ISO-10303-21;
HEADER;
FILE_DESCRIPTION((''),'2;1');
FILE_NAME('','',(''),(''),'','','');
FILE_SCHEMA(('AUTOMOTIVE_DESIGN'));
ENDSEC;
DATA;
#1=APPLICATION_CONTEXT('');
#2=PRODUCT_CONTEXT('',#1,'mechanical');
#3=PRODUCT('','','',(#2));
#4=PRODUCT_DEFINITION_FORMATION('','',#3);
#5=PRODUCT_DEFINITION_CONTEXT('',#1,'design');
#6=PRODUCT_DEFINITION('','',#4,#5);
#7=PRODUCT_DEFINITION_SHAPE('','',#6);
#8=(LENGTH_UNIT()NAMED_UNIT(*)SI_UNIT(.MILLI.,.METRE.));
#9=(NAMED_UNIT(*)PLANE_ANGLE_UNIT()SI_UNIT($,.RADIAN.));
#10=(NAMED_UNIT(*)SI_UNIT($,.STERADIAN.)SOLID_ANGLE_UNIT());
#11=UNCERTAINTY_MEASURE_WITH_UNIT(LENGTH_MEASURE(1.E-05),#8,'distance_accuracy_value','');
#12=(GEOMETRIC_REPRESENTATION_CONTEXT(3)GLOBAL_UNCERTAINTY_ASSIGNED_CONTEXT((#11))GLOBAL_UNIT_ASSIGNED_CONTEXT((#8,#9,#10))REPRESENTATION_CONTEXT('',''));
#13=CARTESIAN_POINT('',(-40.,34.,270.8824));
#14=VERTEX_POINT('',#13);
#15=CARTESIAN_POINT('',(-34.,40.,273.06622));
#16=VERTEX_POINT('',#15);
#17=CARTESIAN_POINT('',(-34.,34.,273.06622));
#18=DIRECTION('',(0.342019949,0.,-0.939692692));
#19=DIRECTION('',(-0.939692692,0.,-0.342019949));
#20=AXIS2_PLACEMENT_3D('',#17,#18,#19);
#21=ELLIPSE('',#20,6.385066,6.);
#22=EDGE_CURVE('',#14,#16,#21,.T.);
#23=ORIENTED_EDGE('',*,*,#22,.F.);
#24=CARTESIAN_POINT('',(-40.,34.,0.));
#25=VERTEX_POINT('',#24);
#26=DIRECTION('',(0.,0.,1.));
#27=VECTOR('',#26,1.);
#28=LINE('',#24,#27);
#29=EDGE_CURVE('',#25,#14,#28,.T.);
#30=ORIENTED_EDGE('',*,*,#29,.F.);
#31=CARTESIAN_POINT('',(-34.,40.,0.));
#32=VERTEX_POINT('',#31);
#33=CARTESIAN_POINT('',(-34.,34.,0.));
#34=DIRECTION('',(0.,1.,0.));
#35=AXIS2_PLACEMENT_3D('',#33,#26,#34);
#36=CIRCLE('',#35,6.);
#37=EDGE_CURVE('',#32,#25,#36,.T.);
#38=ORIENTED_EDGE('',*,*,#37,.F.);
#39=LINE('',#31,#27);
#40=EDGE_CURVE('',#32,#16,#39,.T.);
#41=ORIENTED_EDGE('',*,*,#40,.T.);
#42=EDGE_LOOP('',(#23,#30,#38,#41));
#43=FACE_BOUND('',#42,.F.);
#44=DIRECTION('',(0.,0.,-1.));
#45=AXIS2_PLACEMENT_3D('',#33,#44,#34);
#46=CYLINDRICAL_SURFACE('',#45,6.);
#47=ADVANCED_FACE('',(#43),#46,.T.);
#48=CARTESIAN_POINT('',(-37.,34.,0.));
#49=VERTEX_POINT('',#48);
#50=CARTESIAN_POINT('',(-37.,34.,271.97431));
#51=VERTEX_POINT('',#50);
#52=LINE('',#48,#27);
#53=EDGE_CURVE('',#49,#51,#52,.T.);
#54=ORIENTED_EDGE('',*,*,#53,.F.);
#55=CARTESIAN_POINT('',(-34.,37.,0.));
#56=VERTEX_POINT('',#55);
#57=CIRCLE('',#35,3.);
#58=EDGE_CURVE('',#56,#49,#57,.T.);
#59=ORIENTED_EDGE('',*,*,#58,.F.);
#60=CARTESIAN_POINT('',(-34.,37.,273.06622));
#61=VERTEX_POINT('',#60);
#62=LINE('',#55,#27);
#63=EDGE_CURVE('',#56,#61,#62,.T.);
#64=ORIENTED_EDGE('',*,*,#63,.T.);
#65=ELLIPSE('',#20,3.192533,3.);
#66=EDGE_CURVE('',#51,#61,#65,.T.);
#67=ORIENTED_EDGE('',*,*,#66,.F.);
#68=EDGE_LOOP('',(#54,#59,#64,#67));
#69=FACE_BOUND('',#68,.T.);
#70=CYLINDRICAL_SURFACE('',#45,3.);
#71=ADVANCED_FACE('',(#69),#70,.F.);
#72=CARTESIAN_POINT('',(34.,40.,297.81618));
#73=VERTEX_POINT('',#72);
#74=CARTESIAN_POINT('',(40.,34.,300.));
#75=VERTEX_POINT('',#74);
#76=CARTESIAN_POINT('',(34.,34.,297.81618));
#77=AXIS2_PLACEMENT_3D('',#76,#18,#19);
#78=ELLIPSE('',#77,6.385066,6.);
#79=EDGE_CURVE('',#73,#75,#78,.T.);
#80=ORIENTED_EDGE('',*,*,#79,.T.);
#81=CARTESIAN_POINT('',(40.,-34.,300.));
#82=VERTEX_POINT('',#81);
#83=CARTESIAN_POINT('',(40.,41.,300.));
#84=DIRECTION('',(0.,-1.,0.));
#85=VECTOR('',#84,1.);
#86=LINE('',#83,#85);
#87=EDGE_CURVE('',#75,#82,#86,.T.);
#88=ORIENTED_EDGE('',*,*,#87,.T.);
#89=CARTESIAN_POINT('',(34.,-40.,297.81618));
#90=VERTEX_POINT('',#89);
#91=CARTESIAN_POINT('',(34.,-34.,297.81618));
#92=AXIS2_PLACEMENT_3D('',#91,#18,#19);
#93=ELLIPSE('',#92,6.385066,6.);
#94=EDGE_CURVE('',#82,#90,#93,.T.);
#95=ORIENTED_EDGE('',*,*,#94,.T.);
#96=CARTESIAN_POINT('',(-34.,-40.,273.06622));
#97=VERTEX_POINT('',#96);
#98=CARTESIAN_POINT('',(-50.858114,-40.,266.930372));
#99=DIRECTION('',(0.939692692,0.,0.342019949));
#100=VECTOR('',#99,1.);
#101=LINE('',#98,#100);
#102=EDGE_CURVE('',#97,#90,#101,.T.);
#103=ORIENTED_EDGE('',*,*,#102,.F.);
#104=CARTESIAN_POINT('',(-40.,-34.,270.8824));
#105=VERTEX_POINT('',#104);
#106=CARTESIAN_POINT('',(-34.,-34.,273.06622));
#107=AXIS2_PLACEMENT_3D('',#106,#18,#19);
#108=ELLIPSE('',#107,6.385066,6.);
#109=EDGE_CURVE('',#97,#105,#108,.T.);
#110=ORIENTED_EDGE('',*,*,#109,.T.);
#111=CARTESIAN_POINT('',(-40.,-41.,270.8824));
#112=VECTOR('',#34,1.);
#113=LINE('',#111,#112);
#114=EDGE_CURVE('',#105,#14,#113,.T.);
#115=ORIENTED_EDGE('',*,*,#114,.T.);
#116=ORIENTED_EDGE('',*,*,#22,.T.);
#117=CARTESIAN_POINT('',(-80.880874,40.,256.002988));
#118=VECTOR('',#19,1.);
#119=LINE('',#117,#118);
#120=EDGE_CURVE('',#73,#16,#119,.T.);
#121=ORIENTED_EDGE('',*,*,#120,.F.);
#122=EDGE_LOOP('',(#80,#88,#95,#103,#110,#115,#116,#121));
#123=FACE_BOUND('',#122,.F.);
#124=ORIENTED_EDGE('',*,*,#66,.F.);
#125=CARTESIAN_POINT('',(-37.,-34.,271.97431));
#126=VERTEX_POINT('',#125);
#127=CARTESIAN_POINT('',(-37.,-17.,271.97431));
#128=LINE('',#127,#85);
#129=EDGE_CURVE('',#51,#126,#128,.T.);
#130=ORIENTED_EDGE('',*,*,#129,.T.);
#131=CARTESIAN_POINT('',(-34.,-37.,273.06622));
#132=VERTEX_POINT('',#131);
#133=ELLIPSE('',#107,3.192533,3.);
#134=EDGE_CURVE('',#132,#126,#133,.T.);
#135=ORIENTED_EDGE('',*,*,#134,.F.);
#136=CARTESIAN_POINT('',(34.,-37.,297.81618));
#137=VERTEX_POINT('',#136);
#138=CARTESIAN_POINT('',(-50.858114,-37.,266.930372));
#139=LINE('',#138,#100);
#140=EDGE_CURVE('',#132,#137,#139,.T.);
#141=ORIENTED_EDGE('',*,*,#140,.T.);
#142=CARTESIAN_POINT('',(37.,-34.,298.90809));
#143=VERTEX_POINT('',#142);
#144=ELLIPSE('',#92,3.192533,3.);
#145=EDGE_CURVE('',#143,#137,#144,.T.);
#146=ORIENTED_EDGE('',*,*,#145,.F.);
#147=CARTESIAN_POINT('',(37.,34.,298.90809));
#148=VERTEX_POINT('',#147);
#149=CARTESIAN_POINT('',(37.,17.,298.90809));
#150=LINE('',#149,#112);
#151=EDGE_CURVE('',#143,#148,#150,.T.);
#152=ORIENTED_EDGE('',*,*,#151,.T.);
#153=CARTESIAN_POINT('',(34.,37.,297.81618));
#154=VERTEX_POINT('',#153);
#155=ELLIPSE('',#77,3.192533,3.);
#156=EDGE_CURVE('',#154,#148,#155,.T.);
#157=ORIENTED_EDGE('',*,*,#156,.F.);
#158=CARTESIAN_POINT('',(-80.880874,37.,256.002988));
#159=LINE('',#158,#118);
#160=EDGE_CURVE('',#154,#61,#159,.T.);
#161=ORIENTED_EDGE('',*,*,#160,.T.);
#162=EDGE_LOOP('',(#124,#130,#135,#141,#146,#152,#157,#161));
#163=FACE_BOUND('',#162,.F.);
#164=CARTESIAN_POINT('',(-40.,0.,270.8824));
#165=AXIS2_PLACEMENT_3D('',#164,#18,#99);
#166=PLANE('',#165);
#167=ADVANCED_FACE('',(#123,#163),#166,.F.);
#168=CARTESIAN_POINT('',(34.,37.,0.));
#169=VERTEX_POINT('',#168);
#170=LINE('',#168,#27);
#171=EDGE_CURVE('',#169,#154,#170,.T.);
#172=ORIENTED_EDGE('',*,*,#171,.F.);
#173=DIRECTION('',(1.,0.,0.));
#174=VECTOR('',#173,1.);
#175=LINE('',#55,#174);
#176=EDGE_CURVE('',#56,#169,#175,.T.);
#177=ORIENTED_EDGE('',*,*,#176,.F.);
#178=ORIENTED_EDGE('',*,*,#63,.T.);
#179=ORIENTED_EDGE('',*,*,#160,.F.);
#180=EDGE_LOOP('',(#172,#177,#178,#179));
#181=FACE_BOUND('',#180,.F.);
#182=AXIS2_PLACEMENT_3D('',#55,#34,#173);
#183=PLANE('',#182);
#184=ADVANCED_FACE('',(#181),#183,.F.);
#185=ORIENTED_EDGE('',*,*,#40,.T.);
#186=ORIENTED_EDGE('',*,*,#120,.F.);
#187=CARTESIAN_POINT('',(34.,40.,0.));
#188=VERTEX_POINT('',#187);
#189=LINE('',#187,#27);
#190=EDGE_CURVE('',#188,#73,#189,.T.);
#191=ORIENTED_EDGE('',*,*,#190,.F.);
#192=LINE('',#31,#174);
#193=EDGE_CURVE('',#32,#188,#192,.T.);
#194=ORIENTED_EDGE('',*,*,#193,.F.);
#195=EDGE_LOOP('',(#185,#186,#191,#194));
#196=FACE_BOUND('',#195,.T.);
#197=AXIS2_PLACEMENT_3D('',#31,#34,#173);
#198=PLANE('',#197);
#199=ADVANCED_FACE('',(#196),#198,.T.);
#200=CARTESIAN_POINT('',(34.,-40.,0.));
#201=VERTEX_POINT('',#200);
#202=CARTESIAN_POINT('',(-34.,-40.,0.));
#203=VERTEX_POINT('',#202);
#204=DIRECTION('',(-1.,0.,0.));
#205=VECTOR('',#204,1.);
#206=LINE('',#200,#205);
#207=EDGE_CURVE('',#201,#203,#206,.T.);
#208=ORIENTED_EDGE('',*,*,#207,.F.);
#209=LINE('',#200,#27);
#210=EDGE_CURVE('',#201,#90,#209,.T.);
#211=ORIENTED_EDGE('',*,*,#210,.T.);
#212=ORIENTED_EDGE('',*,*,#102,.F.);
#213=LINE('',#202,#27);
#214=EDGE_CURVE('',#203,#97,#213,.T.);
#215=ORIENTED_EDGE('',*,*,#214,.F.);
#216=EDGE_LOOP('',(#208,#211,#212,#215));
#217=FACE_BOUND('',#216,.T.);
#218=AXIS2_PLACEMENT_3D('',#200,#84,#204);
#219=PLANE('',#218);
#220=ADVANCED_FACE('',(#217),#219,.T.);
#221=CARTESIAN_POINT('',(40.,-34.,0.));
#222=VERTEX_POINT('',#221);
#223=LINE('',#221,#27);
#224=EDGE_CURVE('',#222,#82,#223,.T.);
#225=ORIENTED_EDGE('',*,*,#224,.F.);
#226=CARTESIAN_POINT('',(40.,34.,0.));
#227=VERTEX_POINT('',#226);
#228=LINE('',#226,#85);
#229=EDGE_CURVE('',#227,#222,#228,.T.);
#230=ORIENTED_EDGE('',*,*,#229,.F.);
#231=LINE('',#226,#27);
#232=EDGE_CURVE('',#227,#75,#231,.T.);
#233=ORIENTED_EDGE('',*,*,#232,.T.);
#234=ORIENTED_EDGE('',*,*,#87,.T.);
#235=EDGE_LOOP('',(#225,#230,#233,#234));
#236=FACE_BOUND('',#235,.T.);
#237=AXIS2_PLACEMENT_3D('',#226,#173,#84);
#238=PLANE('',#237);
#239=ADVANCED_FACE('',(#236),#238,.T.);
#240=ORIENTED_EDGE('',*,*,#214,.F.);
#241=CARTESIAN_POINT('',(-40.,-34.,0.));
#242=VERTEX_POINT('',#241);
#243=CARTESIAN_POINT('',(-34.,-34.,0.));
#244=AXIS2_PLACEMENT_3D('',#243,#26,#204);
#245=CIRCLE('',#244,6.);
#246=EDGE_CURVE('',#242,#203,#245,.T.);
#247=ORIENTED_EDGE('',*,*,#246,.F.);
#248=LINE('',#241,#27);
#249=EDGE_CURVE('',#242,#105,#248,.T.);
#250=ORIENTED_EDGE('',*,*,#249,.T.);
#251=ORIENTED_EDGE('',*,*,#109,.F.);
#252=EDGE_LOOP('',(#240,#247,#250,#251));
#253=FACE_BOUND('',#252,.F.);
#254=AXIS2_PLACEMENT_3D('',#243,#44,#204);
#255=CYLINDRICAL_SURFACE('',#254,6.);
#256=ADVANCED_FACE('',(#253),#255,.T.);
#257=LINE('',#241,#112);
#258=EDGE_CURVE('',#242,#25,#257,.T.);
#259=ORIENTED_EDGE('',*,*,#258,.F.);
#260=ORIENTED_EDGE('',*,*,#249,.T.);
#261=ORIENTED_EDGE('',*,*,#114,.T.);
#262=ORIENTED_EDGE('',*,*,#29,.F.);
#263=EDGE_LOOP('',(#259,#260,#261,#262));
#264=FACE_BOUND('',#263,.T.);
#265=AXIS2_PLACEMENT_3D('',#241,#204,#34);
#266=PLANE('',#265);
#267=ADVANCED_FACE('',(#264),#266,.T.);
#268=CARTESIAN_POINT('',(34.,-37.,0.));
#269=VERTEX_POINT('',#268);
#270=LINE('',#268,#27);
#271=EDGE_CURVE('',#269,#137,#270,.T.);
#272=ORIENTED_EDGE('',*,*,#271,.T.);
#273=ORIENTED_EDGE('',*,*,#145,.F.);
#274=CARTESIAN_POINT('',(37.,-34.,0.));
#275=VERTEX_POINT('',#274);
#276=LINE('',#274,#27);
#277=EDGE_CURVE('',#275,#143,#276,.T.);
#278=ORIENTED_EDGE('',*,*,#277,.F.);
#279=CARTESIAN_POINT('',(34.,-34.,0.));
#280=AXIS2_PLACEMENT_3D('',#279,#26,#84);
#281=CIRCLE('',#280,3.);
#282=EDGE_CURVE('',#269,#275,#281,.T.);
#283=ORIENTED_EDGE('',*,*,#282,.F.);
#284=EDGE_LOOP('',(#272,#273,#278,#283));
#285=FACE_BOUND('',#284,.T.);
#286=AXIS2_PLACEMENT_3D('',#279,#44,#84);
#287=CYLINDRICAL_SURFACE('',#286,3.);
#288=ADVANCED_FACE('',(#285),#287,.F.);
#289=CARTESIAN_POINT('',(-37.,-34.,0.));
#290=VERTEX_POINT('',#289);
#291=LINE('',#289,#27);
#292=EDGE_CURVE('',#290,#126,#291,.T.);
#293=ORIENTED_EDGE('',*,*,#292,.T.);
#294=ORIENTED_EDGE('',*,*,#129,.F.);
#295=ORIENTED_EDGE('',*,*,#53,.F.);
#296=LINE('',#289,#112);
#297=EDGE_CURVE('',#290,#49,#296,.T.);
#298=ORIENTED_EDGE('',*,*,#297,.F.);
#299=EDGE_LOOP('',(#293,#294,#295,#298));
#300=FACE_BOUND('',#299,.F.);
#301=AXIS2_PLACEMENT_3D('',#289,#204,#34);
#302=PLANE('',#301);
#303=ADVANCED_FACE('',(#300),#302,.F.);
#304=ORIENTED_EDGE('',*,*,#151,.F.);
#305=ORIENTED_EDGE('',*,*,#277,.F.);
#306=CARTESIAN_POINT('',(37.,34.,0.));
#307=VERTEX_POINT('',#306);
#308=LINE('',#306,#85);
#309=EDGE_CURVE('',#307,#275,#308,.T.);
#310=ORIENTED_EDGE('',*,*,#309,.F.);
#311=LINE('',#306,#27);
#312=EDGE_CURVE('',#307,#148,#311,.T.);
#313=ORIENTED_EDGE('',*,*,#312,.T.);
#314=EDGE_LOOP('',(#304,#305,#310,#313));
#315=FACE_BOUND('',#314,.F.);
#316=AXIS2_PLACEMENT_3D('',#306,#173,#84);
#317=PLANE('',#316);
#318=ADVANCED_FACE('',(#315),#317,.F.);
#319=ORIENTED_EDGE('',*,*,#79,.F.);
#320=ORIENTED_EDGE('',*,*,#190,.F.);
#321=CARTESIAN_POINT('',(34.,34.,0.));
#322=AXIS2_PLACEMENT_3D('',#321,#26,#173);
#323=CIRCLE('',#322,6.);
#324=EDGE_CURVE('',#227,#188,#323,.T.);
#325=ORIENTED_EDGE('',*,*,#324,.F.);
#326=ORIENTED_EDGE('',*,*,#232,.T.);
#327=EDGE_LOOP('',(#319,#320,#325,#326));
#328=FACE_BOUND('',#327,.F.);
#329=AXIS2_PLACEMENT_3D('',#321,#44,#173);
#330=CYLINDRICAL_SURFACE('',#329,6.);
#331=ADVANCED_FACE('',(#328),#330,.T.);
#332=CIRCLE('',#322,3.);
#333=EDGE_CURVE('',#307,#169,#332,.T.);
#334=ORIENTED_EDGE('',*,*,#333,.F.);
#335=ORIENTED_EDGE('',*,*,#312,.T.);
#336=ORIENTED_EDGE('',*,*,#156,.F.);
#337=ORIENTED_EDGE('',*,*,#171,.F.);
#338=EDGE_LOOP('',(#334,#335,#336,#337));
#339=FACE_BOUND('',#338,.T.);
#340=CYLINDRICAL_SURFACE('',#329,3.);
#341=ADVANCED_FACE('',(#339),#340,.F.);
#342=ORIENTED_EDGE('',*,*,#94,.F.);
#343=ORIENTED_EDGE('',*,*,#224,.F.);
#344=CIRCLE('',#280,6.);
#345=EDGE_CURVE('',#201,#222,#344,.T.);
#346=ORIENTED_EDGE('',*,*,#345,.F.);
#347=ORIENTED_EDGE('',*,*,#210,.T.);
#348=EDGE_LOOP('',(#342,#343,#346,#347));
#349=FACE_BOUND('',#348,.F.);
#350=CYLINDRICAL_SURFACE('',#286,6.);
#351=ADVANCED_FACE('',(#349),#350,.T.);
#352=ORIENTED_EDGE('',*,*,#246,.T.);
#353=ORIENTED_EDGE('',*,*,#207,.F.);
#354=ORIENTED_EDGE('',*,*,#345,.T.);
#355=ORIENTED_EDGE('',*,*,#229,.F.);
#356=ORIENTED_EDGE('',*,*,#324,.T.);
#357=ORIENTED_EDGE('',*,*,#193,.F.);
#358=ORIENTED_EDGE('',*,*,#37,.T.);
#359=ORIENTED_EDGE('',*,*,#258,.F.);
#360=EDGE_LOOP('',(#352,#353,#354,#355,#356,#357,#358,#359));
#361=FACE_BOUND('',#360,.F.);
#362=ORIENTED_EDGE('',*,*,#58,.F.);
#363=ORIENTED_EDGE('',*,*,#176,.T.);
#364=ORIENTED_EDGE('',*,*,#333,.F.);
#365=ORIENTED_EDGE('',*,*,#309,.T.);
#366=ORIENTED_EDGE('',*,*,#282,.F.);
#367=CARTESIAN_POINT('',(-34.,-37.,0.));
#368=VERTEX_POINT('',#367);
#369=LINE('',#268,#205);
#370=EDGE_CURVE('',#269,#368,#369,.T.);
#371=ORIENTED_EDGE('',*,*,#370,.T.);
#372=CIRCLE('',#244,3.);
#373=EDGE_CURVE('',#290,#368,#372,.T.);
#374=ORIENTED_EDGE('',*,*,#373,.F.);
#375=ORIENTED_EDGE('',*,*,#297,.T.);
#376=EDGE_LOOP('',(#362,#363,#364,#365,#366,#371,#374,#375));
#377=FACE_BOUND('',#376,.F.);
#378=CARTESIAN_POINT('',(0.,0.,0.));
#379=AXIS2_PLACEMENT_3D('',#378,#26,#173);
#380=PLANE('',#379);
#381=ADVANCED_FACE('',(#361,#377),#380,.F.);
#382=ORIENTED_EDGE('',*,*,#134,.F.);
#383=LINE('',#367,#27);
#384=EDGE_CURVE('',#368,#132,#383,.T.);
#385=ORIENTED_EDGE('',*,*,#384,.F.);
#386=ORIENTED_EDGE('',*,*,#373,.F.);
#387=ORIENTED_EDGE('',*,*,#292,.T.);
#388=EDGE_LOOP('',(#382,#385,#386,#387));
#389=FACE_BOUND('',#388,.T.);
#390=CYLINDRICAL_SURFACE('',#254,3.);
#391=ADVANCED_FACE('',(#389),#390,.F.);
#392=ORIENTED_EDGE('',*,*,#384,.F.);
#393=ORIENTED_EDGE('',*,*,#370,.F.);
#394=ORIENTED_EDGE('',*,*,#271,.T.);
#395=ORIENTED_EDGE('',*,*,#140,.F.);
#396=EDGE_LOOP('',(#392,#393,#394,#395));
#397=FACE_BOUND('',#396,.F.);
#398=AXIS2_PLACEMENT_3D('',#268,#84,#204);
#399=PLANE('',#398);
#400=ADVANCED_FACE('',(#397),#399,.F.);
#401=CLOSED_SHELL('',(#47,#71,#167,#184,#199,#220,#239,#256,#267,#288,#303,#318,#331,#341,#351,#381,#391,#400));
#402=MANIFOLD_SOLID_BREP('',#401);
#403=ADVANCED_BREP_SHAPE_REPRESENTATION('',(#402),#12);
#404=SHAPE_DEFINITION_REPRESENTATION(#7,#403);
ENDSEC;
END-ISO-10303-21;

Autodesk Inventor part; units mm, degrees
ref_plane "YZ Plane" through (0, 0, 0) normal (1, 0, 0) x (0, 1, 0)
ref_plane "Start plane" through (0, 0, 0) normal (0, 0, 1) x (1, 0, 0)
ref_plane "End plane" through (0, 0, 1000) normal (0, 0, 1) x (1, 0, 0)
sketch "Sketch" plane through (0, 0, 0) normal (0, 0, 1) x (1, 0, 0)
  line L0 (-40, -34) -> (-40, 34)
  line L1 (-34, 40) -> (34, 40)
  line L2 (40, 34) -> (40, -34)
  line L3 (34, -40) -> (-34, -40)
  arc A0 (-40, -34) -> (-34, -40) centre (-34, -34) ccw
  arc A1 (40, 34) -> (34, 40) centre (34, 34) ccw
  arc A2 (-34, 40) -> (-40, 34) centre (-34, 34) ccw
  arc A3 (34, -40) -> (40, -34) centre (34, -34) ccw
  arc A4 (-34, 37) -> (-37, 34) centre (-34, 34) ccw
  line L4 (-34, 37) -> (34, 37)
  arc A5 (37, 34) -> (34, 37) centre (34, 34) ccw
  line L5 (37, 34) -> (37, -34)
  arc A6 (34, -37) -> (37, -34) centre (34, -34) ccw
  line L6 (34, -37) -> (-34, -37)
  arc A7 (-37, -34) -> (-34, -37) centre (-34, -34) ccw
  line L7 (-37, -34) -> (-37, 34)
  line L8 (0, 57.7397) -> (0, -57.7397) construction
  line L9 (-1453.6197, 0) -> (290.3864, 0) construction
  dimension "d7" = 6
  dimension "d9" = 80
  dimension "d11" = 80
  dimension "d12" = 3
  dimension "d15" = 40
  dimension "d16" = 40
extrude "Body" add sketch "Sketch" along normal up to surface (1000 mm away) from surface at 0
sketch "Sketch3" plane through (0, 0, 0) normal (0, 0, 1) x (1, 0, 0)
  line L0 (0, 0) -> (10, 0)
ref_plane "Work Plane3" through (0, 0, 0) normal (0, -1, 0) x (1, 0, 0)
sketch "Sketch5" plane through (0, 0, 0) normal (0, 1, 0) x (-1, 0, 0)
  line L0 (-40, 0) -> (-40, 1000) projected
  line L1 (40, 0) -> (40, 1000) projected
  line L2 (40, 0) -> (40, 1000) projected
  line L3 (40, 278.04) -> (415, 278.04) construction
  line L4 (-5.663, 299.3796) -> (835.663, 299.3796) construction
  arc A0 (-5.663, 299.3796) -> (415, 200) centre (415, 1140) ccw construction
  line L5 (-55, 379.2385) -> (885, 379.2385) construction
  arc A1 (-55, 379.2385) -> (-5.663, 299.3796) centre (34.3, 379.2385) ccw construction
  arc A2 (835.663, 299.3796) -> (885, 379.2385) centre (795.7, 379.2385) ccw
  line L6 (-55, 379.2385) -> (-55, 419.2385)
  line L7 (885, 379.2385) -> (885, 419.2385)
  line L8 (-55, 419.2385) -> (415, 419.2385) construction
  line L9 (415, 419.2385) -> (415, 0)
  arc A3 (415, 200) -> (835.663, 299.3796) centre (415, 1140) ccw
  line L10 (415, 419.2385) -> (885, 419.2385)
  point P0 (0, 0)
  dimension "d22" = 375
  dimension "d24" = 940
  dimension "d25" = 89.3
  dimension "d26" = 40
  dimension "d27" = 940
  dimension "d28" = 200
  dimension "d30" = 278.04
sketch "Sketch6" plane through (0, 0, 0) normal (0, 1, 0) x (-1, 0, 0)
  line L0 (40, 0) -> (40, 1000) projected
  line L1 (40, 0) -> (40, 1000) projected
  line L2 (-40, 0) -> (-40, 1000) projected
  line L3 (-40, 0) -> (-40, 1000) projected
  line L4 (34, 1000) -> (40, 1000) projected
  line L5 (40, 1000) -> (-40, 1000)
  arc A0 (-5.663, 299.3796) -> (415, 200) centre (415, 1140) ccw construction
  line L6 (40, 270.8824) -> (-40, 300)
  point P0 (0, 0)
  dimension "d34" = 110
  dimension "d36" = 300
extrude "Extrusion2" cut sketch "Sketch6" along normal through all both and the other way through all
sketch "Sketch4" plane through (0, 0, 0) normal (0, -1, 0) x (1, 0, 0)
  line L0 (-1453.3712, 0) -> (288.8952, 0) projected
  line L1 (-1453.3712, 1000) -> (288.8952, 1000) projected
  dimension "d18" = 1000
equation "\"d7\" = G_IR"
equation "\"d9\" = G_W"
equation "\"d11\" = G_H"
equation "\"d12\" = G_T"
equation "\"d15\" = 0.5 * d9"
equation "\"d16\" = 0.5 * d11"
equation "\"d3\" = G_L"
equation "\"d22\" = 0.5 * Diam_of_legs_center"
equation "\"d24\" = d27"
equation "\"d25\" = 0.095 * d27"
equation "\"d27\" = MAIN_filter_diam"
equation "\"G_W\" = 80"
equation "\"G_H\" = 80"
equation "\"G_T\" = 3"
equation "\"G_IR\" = 6"
equation "\"G_L\" = d18"
equation "\"G_OFFSET_START\" = 0"
equation "\"G_OFFSET_END\" = 0"
equation "\"MAIN_filter_diam\" = 940"
equation "\"Diam_of_legs_center\" = 750"
properties part number "SLM 1692 Leg tube" material "Steel, Mild"
